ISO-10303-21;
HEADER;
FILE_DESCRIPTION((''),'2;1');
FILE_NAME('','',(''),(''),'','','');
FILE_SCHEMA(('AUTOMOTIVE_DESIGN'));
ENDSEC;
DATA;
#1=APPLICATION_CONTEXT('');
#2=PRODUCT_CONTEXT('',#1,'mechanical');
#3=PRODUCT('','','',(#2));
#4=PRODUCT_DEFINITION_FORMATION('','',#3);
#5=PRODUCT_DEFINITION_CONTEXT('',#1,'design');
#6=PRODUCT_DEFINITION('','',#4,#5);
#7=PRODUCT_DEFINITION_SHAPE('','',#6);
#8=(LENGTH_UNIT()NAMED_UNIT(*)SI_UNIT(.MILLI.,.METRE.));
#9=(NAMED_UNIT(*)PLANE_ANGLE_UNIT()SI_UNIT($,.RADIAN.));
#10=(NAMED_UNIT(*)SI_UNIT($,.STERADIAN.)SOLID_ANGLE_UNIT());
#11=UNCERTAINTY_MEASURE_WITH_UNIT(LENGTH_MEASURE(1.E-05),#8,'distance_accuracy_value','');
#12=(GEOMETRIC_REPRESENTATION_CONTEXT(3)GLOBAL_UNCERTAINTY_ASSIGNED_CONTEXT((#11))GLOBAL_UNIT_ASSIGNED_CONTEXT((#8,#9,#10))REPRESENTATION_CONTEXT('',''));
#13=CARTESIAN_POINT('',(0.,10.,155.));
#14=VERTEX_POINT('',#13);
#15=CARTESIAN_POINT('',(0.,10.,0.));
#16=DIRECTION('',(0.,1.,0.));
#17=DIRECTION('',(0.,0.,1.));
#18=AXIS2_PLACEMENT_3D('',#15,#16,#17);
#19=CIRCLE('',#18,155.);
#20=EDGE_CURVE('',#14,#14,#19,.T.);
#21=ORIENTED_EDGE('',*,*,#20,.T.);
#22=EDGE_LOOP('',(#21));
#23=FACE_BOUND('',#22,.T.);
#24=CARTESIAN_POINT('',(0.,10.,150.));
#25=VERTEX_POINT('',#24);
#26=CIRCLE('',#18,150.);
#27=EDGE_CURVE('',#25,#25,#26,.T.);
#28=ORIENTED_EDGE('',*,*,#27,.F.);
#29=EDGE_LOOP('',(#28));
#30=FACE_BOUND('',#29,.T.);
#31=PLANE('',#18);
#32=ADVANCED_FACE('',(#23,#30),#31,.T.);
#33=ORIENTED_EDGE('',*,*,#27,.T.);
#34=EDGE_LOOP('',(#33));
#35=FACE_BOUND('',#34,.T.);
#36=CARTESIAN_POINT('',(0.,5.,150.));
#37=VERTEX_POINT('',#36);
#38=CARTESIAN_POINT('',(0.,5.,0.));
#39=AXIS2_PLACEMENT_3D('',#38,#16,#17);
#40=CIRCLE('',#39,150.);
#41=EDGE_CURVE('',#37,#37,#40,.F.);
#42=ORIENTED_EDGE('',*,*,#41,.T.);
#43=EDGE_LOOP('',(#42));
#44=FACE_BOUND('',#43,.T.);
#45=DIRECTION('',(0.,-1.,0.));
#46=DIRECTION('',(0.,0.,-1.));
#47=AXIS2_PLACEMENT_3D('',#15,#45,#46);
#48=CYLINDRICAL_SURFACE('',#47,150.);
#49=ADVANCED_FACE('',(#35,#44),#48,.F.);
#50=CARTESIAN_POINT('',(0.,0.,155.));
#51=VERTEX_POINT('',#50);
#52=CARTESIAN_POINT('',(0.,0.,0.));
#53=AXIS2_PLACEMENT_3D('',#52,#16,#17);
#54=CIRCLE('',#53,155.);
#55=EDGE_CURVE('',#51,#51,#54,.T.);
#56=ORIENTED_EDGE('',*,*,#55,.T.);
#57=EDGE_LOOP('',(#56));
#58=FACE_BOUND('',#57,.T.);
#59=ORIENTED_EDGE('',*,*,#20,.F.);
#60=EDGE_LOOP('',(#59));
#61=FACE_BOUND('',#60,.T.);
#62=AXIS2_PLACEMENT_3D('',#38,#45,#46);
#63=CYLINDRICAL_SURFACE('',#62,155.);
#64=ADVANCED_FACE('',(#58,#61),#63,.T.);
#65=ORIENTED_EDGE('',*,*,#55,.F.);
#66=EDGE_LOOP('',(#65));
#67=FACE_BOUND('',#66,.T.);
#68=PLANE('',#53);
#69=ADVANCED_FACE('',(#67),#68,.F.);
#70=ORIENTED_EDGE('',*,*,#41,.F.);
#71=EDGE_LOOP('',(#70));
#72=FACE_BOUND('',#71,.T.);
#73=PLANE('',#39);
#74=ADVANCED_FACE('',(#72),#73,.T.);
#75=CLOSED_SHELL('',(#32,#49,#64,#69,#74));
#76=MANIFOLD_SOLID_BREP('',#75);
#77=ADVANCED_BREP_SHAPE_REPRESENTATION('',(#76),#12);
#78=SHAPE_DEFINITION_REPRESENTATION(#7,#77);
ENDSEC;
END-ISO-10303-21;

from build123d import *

# Parameters (mm, degrees)
SKETCH1_R           = 155
BOSS_EXTRUDE1_DEPTH = 5
SKETCH2_R           = 155
SKETCH2_R_2         = 150
BOSS_EXTRUDE2_DEPTH = 5


with BuildPart() as part:
    # Sketch1 → Boss-Extrude1 (new body)
    with BuildSketch(Plane(origin=(0, 0, 0), x_dir=(1, 0, 0), z_dir=(0, 1, 0))):
        with Locations(Location((0, 0, 0), (0, 0, 270))):
            Circle(SKETCH1_R)
    extrude(amount=BOSS_EXTRUDE1_DEPTH)

    # Sketch2 → Boss-Extrude2 (add)
    with BuildSketch(Plane(origin=(0, 5, 0), x_dir=(1, 0, 0), z_dir=(0, 1, 0))):
        with Locations(Location((0, 0, 0), (0, 0, 270))):
            Circle(SKETCH2_R)
        with Locations(Location((0, 0, 0), (0, 0, 270))):
            Circle(SKETCH2_R_2, mode=Mode.SUBTRACT)
    extrude(amount=BOSS_EXTRUDE2_DEPTH)


solid = part.part
